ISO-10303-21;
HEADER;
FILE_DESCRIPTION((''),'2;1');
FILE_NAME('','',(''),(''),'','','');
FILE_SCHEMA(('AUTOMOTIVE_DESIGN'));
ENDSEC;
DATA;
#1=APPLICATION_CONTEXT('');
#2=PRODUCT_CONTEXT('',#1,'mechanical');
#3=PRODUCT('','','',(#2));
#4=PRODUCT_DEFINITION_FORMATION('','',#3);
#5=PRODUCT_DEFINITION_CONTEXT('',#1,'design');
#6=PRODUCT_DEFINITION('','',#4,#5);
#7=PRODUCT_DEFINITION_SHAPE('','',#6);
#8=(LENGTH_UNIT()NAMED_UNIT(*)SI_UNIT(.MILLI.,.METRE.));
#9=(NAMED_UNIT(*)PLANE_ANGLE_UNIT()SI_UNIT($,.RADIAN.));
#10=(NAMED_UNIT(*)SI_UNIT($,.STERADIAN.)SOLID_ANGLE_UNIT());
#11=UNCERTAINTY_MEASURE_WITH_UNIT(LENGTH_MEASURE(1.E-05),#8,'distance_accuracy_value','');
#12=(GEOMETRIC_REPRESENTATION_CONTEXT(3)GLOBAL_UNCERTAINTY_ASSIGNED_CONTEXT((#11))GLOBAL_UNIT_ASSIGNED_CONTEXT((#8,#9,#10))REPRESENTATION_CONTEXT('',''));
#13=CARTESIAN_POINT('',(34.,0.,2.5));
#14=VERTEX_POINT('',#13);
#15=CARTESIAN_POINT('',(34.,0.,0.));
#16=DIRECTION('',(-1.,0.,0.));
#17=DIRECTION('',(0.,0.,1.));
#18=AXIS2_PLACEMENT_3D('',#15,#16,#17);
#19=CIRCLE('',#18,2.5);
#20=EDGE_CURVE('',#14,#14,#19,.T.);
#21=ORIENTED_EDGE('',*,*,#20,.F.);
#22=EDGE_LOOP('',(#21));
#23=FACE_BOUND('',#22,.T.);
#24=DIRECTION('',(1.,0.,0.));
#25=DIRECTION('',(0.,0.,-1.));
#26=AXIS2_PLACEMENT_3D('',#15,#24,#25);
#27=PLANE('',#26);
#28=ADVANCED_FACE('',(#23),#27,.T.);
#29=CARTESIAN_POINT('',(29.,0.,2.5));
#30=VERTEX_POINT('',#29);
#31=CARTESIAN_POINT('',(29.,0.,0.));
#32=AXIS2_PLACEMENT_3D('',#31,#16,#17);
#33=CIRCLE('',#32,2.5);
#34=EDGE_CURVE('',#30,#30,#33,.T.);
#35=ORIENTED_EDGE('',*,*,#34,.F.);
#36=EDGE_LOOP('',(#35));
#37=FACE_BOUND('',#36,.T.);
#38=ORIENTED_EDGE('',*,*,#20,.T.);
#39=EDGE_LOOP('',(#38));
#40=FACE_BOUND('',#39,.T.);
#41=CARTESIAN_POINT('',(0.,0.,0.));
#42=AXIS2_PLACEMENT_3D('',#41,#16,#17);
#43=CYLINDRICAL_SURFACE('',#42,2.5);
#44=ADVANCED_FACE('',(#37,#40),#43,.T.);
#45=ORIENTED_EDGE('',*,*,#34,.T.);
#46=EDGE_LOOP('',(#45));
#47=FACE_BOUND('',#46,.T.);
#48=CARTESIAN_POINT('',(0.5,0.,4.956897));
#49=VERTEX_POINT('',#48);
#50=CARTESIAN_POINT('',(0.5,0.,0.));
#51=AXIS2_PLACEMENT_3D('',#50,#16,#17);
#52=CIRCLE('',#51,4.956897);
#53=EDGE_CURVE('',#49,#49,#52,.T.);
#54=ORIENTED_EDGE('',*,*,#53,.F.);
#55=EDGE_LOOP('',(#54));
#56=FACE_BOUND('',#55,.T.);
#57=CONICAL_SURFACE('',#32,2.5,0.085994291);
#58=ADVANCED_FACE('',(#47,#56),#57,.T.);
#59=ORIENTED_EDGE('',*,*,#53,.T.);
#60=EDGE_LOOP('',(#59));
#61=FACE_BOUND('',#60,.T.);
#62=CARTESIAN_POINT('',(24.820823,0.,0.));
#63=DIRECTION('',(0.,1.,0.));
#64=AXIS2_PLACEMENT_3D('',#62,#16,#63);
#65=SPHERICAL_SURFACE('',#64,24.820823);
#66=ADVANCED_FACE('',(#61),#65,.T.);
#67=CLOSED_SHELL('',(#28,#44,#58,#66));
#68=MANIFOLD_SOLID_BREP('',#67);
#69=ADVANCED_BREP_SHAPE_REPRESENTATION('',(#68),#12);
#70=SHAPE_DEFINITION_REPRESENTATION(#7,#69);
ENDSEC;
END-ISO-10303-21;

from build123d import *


with BuildPart() as part:
    # Sketch1 → Revolve1 (revolve)
    with BuildSketch(Plane.XY, mode=Mode.PRIVATE) as revolve1_sk:
        with BuildLine():
            Line((34, 2.5), (29, 2.5))
            Line((29, 2.5), (0.5, 4.956896552))
            ThreePointArc((0.5, 4.956896552), (0.125316351, 2.491025061), (0, 0))
            Line((0, 0), (34, 0))
            Line((34, 0), (34, 2.5))
        make_face()
    revolve(revolve1_sk.sketch.rotate(Axis((0, 0, 0), (1, 0, 0)), 90), axis=Axis((0, 0, 0), (1, 0, 0)))


solid = part.part
